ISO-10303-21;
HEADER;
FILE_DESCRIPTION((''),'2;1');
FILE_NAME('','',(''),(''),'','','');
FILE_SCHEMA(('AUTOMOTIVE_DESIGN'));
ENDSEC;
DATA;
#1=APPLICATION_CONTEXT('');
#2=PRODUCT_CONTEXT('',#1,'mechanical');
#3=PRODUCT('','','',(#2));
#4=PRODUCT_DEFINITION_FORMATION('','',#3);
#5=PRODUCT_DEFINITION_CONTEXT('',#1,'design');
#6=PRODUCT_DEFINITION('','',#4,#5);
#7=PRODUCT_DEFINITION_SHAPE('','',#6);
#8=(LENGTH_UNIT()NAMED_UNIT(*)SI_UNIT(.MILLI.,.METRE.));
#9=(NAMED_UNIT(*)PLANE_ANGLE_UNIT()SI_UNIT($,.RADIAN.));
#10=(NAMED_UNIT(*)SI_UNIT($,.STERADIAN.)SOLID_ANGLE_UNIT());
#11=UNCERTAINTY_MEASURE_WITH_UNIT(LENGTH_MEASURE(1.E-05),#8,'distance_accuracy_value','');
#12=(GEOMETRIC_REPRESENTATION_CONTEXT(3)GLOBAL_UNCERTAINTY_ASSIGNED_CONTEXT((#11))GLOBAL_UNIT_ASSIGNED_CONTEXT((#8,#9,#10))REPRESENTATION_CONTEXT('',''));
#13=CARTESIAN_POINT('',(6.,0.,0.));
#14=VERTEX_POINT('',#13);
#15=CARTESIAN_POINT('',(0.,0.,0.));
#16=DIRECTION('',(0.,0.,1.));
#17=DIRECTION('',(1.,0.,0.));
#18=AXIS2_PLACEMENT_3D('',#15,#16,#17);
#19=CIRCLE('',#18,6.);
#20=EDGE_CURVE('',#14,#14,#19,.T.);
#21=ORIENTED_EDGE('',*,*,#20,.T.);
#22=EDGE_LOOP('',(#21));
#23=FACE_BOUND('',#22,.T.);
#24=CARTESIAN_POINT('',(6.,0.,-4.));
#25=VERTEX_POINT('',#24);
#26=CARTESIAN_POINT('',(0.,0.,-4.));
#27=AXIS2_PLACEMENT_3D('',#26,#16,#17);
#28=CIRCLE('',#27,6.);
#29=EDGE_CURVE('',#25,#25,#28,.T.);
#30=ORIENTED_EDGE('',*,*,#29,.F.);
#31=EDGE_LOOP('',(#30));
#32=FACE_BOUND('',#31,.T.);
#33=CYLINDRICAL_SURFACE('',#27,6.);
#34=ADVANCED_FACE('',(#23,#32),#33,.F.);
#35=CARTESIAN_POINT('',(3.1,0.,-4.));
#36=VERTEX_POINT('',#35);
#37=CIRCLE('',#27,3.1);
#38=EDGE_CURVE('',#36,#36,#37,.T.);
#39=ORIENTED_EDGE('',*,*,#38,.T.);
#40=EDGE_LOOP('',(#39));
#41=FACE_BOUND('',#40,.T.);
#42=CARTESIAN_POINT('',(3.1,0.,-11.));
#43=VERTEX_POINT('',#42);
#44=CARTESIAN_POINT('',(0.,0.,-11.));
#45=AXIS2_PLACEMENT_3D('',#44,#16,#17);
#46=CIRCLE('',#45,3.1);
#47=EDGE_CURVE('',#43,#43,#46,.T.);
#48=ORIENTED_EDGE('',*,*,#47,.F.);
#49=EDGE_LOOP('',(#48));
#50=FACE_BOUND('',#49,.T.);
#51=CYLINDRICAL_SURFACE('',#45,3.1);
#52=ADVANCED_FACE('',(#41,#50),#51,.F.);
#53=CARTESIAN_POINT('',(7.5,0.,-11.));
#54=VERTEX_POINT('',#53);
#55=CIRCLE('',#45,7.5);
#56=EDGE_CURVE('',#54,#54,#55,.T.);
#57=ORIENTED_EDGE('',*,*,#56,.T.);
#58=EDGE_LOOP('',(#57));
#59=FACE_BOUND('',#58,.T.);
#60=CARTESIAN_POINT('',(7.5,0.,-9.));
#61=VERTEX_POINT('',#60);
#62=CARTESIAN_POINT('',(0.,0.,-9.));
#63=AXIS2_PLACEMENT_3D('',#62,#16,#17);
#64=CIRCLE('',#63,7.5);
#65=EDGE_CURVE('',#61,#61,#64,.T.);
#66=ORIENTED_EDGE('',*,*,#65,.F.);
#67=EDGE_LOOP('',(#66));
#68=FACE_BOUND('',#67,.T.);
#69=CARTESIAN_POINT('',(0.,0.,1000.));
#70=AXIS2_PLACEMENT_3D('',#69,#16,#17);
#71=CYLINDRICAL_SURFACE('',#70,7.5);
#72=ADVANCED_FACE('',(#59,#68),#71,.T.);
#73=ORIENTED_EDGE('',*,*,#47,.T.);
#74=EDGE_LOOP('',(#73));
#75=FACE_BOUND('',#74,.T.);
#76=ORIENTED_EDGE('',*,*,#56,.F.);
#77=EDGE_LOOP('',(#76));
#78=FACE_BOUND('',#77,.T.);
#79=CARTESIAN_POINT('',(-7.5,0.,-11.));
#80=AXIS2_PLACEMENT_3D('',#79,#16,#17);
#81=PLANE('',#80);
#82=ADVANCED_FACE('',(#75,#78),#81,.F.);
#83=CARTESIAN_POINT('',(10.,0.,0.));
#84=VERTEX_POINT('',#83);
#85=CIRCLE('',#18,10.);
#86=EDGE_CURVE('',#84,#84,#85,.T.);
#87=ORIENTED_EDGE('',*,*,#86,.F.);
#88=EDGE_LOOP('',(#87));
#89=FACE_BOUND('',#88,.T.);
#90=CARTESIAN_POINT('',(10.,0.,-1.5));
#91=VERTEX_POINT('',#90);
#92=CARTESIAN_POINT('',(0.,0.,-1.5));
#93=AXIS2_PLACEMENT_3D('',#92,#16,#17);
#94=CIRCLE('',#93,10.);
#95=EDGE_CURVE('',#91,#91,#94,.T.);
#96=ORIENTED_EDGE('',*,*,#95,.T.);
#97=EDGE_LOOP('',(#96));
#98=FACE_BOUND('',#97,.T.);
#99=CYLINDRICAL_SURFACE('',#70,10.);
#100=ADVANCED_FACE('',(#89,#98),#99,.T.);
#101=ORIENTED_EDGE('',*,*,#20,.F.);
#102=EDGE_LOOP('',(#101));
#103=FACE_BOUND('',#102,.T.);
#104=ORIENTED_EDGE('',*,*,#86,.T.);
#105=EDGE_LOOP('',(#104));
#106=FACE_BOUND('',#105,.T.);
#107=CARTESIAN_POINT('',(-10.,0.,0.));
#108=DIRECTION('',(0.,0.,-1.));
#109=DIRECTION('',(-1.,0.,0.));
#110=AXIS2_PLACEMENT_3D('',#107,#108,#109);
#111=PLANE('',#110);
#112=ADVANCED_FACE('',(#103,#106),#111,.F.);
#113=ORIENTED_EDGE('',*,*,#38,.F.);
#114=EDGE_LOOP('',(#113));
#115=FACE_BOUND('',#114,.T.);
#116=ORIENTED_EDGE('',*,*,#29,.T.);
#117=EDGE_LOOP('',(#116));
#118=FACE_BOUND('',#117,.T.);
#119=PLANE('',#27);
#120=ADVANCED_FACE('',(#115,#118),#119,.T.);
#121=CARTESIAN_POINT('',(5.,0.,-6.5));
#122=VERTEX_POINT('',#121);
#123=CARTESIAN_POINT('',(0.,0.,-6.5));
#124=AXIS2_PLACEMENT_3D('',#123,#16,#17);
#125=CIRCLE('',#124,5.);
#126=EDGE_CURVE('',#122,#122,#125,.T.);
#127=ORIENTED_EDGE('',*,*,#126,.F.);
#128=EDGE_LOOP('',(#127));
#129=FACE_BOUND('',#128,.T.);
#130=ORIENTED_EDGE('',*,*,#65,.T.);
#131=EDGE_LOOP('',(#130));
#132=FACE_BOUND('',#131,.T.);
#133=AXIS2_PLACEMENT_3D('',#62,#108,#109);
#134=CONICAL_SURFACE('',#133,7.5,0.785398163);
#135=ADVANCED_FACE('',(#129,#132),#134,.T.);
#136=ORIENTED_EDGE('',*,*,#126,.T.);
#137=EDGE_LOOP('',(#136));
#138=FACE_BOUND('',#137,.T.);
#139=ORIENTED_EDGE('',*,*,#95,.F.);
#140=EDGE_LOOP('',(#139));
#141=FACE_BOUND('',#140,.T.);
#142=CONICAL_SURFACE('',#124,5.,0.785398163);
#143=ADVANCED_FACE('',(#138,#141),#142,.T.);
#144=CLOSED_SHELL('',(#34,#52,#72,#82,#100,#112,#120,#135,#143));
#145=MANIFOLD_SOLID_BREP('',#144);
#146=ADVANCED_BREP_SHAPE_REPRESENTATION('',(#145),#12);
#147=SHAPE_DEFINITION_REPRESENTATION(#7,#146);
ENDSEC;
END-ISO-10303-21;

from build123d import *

# Parameters (mm, degrees)
SKETCH_2_R          = 6
CUT_EXTRUDE_1_DEPTH = 4
SKETCH_3_R          = 3.1
CUT_EXTRUDE_2_DEPTH = 16.779733838


with BuildPart() as part:
    # 草图1 → 旋转1 (revolve)
    with BuildSketch(Plane(origin=(0, 0, 0), x_dir=(1, 0, 0), z_dir=(0, 1, 0)), mode=Mode.PRIVATE) as revolve_1_sk:
        Polygon((-7.5, 9), (-5, 6.5), (-7.5, 4), (-10, 1.5), (-10, 0), (0, 0), (0, 11), (-7.5, 11), align=None)
    revolve(revolve_1_sk.sketch.rotate(Axis((0, 0, 1000), (0, 0, -1)), 180), axis=Axis((0, 0, 1000), (0, 0, -1)))

    # 草图2 → 切除-拉伸1 (cut)
    with BuildSketch(Plane.XY):
        Circle(SKETCH_2_R)
    extrude(amount=-CUT_EXTRUDE_1_DEPTH, mode=Mode.SUBTRACT)

    # 草图3 → 切除-拉伸2 (cut, through all)
    with BuildSketch(Plane.XY.offset(-4)):
        Circle(SKETCH_3_R)
    extrude(amount=-CUT_EXTRUDE_2_DEPTH, mode=Mode.SUBTRACT)


solid = part.part
